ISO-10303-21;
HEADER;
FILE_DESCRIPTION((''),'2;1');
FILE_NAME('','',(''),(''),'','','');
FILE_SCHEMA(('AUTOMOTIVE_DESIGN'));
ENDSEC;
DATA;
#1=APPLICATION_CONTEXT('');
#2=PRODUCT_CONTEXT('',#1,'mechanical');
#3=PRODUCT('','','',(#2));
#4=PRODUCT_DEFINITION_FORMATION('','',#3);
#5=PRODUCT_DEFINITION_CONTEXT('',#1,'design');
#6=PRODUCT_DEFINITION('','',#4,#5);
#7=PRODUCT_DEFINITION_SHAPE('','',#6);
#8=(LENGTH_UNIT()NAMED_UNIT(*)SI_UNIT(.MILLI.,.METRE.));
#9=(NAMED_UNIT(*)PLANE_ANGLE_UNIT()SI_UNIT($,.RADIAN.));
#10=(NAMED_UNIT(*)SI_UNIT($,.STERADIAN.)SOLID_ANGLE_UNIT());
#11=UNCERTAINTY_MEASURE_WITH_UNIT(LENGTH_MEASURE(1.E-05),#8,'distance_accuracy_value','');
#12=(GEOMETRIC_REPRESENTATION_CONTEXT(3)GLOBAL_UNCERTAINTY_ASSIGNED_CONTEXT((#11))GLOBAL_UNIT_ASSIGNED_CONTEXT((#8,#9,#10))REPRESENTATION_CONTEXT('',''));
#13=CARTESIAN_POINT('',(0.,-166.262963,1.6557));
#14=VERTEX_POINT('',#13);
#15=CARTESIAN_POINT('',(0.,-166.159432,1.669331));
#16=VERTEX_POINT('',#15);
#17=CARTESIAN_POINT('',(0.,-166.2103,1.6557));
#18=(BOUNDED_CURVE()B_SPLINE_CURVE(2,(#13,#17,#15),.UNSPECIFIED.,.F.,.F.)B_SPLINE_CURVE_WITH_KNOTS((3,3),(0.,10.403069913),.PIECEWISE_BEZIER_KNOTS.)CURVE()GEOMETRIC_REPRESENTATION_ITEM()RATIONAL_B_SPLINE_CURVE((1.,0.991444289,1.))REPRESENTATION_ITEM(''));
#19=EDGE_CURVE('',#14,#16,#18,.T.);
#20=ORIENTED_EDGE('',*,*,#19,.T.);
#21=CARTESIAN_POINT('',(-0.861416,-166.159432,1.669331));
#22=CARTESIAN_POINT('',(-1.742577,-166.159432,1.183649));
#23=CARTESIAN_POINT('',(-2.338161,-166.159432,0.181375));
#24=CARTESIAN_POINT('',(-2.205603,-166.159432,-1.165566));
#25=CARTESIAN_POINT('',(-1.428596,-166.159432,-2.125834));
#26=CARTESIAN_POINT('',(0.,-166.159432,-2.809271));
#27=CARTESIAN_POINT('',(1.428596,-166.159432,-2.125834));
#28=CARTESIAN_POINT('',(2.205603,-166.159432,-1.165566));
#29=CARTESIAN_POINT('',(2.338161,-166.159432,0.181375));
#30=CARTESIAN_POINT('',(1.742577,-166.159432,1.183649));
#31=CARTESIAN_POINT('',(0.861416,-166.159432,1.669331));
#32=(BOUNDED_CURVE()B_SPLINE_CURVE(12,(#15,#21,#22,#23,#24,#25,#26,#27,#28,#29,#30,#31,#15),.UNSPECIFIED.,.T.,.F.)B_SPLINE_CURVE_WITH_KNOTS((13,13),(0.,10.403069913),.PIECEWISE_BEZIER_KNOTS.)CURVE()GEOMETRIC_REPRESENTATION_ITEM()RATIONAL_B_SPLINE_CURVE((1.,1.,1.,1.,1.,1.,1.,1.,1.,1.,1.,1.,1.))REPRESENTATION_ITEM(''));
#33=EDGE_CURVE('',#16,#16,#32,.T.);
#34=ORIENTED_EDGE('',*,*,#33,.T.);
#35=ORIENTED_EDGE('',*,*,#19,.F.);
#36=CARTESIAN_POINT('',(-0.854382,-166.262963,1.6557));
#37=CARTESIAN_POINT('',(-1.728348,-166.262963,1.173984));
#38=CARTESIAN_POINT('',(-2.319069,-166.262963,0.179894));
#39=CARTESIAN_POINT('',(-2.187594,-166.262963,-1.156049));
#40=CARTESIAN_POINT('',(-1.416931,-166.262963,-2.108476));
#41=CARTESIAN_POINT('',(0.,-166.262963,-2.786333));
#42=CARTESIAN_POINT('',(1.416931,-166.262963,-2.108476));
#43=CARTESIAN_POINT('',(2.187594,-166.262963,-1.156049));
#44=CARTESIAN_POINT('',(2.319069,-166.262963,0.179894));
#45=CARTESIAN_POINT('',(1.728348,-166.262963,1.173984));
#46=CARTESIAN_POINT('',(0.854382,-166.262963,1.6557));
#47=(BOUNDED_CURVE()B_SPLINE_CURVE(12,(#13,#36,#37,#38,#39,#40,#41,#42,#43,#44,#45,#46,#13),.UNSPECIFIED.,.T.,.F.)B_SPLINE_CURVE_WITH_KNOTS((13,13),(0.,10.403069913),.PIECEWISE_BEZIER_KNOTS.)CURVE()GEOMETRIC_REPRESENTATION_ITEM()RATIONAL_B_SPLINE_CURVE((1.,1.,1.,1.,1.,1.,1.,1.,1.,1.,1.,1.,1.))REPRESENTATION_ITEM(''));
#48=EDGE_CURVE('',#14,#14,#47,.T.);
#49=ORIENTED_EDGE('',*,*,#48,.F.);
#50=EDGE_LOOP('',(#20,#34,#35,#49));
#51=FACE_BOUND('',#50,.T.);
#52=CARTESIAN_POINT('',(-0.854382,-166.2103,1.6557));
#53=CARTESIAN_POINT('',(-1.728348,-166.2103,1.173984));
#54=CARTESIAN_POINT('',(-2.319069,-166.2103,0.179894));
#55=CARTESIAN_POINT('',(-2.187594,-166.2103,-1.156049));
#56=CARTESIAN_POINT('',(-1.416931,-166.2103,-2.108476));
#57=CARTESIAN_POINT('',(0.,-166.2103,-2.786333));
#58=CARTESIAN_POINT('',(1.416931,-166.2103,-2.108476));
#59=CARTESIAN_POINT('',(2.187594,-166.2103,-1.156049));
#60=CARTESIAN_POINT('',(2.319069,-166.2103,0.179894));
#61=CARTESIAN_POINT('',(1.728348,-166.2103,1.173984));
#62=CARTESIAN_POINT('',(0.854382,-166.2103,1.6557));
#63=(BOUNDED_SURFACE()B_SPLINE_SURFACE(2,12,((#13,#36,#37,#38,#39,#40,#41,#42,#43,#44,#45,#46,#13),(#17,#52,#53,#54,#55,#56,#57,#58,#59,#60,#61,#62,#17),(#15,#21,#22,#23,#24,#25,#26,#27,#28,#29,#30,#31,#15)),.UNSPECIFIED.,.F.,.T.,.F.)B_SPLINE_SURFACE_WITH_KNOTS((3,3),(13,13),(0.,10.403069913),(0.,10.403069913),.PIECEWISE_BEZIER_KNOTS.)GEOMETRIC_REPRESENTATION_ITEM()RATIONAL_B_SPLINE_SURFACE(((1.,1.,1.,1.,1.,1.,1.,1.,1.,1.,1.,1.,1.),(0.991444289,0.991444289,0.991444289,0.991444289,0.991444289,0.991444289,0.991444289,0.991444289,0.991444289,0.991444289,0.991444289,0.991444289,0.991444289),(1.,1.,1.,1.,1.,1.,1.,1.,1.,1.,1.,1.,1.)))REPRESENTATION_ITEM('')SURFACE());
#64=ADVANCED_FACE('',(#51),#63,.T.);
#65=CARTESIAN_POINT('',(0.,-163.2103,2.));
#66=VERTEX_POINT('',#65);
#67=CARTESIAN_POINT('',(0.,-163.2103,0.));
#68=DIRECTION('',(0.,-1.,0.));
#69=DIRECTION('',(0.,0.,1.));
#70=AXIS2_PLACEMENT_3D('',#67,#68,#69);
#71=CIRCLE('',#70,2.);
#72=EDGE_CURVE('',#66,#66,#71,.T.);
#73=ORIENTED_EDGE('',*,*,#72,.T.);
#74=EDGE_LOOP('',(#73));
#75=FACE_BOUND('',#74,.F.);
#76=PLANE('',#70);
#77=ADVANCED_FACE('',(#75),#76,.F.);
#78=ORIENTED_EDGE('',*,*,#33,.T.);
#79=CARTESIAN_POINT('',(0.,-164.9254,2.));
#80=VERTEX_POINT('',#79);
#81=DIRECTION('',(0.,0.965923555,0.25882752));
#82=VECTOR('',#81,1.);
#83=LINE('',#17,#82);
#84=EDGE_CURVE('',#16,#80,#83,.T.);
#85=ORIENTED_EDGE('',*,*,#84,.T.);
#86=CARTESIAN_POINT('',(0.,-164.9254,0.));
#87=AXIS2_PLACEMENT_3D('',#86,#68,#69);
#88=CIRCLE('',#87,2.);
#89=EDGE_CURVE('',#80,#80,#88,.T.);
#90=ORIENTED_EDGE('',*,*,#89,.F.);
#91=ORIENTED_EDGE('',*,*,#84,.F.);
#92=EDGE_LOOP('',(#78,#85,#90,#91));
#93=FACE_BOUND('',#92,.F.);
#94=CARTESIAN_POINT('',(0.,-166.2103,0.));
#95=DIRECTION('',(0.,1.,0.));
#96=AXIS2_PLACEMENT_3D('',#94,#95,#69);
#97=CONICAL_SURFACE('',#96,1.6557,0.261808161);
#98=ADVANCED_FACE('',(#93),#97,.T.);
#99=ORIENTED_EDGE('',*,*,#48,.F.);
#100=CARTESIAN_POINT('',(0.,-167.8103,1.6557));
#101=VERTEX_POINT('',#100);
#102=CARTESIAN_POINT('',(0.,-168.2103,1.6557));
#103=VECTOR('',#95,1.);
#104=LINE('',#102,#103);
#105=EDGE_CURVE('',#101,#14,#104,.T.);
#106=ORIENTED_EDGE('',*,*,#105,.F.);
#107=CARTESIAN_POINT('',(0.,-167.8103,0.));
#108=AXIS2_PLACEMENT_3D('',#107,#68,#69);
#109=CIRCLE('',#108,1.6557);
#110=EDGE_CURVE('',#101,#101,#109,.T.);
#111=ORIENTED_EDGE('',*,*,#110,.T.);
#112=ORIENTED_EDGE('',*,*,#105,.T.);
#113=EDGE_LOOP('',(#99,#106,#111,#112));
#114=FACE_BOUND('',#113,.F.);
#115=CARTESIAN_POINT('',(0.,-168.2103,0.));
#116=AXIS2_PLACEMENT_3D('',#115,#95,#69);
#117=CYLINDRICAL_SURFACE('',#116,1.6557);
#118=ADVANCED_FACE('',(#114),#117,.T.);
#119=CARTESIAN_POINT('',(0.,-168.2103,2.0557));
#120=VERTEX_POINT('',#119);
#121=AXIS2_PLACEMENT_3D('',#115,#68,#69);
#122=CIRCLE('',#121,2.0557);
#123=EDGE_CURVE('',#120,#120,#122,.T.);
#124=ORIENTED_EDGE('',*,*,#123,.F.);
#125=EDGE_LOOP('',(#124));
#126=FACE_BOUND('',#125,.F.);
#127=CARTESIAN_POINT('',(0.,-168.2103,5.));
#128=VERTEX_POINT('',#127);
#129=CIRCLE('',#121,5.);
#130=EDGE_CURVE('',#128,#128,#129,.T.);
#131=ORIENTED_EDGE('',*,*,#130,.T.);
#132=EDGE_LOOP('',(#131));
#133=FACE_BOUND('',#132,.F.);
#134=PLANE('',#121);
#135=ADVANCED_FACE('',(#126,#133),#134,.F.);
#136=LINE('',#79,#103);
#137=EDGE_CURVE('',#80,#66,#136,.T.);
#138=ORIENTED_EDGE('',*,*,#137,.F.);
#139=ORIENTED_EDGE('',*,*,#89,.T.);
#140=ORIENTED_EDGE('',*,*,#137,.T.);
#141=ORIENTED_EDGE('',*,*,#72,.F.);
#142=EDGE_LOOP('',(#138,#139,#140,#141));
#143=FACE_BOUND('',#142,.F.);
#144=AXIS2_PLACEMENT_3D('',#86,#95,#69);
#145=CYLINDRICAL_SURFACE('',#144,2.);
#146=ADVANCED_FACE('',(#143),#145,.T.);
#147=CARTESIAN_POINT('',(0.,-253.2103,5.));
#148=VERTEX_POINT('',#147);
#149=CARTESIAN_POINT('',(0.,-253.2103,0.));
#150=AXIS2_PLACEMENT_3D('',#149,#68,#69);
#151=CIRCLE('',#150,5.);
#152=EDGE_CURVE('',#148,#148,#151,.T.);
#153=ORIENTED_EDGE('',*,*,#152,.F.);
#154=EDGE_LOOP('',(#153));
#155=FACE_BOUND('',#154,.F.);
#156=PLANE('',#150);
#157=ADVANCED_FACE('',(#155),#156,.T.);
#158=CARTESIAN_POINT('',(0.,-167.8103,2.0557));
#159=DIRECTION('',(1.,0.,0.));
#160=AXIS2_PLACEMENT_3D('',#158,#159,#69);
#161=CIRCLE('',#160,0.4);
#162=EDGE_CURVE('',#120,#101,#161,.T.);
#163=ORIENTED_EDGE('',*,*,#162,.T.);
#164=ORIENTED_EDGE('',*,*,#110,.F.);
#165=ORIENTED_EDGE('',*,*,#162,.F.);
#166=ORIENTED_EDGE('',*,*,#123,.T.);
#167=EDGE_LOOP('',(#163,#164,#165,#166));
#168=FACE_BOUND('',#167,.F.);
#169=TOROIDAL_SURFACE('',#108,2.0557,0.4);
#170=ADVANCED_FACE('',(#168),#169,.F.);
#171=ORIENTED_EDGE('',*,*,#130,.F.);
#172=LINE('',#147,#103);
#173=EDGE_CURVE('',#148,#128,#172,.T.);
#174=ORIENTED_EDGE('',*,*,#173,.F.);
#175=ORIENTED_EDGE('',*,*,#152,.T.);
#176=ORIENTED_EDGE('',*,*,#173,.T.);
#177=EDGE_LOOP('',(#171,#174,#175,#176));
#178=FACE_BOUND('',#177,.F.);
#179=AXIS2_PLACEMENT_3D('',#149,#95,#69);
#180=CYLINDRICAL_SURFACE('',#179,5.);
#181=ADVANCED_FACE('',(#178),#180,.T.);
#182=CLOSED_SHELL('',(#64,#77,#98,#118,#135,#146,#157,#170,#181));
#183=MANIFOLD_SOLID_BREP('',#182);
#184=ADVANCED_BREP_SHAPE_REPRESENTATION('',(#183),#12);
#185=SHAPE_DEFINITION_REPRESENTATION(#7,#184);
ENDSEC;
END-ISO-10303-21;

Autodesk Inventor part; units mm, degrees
ref_plane "YZ Plane" through (0, 0, 0) normal (1, 0, 0) x (0, 1, 0)
ref_plane "XZ Plane" through (0, 0, 0) normal (0, 1, 0) x (-1, 0, 0)
ref_plane "XY Plane" through (0, 0, 0) normal (0, 0, 1) x (1, 0, 0)
sketch "Skizze6" plane through (0, 0, 0) normal (1, 0, 0) x (0, 1, 0)
  line L0 (-253.2103, 0) -> (-253.2103, 5)
  line L1 (-253.2103, 5) -> (-168.2103, 5)
  line L2 (-168.2103, 5) -> (-168.2103, 1.6557)
  line L3 (-168.2103, 1.6557) -> (-166.2103, 1.6557)
  line L4 (-166.2103, 1.6557) -> (-164.9254, 2)
  line L5 (-164.9254, 2) -> (-163.2103, 2)
  line L6 (-163.2103, 2) -> (-163.2103, 0)
  line L7 (-163.2103, 0) -> (-253.2103, 0)
  point P0 (0, 0)
  dimension "d31" = 5
  dimension "d32" = 85
  dimension "d33" = 5
  dimension "d34" = 2
  dimension "d35" = 15
  dimension "d36" = 2
revolve "Umdrehung1" add sketch "Skizze6" angle 360 about axis through (0, -163.2103, 0) along (0, -1, 0)
thread "Gewinde2" size "M4x0.7" class "6g" standard "ANSI Metric M Profile" full length
fillet "Rundung6" radius 0.4 2 edges at (0, -166.2103, -1.6557) (0, -168.2103, -1.6557)
properties part number "TS_V1_Fallmagazin_Blech_int"
